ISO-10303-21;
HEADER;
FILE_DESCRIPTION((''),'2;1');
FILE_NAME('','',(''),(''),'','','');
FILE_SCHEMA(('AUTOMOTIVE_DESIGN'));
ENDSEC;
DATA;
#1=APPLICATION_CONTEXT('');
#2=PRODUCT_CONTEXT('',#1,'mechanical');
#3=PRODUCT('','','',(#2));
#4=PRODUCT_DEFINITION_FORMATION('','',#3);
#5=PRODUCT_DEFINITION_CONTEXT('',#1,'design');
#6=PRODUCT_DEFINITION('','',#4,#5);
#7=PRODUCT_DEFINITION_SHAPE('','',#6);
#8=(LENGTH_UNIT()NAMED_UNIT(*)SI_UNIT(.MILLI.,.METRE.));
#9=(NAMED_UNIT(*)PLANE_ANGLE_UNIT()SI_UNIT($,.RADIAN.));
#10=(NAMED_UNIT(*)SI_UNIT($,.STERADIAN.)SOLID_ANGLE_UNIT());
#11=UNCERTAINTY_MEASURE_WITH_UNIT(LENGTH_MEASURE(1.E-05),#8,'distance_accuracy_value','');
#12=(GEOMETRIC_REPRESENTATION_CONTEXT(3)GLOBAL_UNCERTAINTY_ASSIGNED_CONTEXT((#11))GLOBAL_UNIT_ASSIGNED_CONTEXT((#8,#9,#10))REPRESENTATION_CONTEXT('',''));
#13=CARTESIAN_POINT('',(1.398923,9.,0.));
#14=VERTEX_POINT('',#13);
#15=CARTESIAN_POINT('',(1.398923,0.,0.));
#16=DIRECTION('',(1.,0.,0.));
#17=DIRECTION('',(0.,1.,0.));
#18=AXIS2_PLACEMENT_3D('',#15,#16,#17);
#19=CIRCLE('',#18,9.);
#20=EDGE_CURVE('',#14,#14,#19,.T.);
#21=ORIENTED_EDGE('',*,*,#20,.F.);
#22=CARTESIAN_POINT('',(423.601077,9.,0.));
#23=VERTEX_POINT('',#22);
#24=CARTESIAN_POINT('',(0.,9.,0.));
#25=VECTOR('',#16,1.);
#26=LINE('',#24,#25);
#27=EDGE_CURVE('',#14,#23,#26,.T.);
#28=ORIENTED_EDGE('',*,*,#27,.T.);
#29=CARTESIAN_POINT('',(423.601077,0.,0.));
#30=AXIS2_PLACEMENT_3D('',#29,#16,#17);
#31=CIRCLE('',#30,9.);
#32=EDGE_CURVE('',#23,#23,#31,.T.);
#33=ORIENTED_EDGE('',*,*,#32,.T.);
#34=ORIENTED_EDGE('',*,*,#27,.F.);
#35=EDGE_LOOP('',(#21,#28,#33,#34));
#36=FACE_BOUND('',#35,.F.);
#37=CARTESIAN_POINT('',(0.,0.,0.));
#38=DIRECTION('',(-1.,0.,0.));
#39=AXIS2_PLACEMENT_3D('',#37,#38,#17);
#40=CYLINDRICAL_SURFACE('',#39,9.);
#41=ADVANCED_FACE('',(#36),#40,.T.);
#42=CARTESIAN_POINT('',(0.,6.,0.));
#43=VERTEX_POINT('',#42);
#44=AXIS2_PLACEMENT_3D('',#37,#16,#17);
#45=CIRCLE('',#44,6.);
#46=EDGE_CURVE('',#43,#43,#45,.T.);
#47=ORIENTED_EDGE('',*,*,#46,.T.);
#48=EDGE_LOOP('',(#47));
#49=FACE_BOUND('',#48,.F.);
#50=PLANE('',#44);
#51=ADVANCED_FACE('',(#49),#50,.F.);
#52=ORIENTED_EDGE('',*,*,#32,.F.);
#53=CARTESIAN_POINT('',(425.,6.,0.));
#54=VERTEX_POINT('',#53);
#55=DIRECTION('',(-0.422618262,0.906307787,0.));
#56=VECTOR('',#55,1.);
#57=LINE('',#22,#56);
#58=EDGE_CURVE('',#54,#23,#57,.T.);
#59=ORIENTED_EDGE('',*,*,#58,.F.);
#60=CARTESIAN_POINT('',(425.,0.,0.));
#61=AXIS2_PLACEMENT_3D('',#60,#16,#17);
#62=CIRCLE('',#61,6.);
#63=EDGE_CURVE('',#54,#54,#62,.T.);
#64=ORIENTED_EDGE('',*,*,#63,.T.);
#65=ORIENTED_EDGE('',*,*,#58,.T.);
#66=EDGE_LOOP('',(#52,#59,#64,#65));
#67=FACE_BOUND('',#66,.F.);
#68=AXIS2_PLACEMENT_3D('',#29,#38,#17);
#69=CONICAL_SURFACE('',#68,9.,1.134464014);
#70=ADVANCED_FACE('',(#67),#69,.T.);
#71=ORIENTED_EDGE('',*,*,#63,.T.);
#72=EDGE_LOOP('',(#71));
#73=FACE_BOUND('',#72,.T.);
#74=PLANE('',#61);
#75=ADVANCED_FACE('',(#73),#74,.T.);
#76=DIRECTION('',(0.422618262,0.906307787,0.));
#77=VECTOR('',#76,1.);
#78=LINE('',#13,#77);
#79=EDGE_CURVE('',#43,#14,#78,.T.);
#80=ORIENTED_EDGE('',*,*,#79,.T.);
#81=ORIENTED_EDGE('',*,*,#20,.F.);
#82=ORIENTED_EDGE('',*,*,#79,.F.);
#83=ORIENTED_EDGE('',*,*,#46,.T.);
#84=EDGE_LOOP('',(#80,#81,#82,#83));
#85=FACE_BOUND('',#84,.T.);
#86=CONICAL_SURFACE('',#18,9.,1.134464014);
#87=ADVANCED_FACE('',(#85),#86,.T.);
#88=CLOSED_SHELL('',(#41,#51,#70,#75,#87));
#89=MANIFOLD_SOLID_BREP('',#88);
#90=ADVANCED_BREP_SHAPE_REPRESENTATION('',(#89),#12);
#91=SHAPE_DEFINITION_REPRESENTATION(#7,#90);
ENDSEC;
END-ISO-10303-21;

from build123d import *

# Parameters (mm, degrees)
F0_R       = 9
F1_DEPTH   = 425
F2_SIZE2   = 1.3989229745
F2_SIZE    = 3
F2_2_SIZE2 = 1.3989229745
F2_2_SIZE  = 3


with BuildPart() as f1:
    # F0 (on Right) → F1 (new body)
    with BuildSketch(Plane.YZ):
        Circle(F0_R)
    extrude(amount=F1_DEPTH)

    # F2
    f2_edges = [f1.edges().sort_by_distance(p)[0] for p in [
        (425, -9, 0),
    ]]
    f2_side = f1.faces().sort_by_distance((425, 0, 0))[0]
    chamfer(f2_edges, length=F2_SIZE, length2=F2_SIZE2, reference=f2_side)

    # F2#2
    f2_2_edges = [f1.edges().sort_by_distance(p)[0] for p in [
        (0, -9, 0),
    ]]
    f2_2_side = f1.faces().sort_by_distance((0, 0, 0))[0]
    chamfer(f2_2_edges, length=F2_2_SIZE, length2=F2_2_SIZE2, reference=f2_2_side)


solid = f1.part
